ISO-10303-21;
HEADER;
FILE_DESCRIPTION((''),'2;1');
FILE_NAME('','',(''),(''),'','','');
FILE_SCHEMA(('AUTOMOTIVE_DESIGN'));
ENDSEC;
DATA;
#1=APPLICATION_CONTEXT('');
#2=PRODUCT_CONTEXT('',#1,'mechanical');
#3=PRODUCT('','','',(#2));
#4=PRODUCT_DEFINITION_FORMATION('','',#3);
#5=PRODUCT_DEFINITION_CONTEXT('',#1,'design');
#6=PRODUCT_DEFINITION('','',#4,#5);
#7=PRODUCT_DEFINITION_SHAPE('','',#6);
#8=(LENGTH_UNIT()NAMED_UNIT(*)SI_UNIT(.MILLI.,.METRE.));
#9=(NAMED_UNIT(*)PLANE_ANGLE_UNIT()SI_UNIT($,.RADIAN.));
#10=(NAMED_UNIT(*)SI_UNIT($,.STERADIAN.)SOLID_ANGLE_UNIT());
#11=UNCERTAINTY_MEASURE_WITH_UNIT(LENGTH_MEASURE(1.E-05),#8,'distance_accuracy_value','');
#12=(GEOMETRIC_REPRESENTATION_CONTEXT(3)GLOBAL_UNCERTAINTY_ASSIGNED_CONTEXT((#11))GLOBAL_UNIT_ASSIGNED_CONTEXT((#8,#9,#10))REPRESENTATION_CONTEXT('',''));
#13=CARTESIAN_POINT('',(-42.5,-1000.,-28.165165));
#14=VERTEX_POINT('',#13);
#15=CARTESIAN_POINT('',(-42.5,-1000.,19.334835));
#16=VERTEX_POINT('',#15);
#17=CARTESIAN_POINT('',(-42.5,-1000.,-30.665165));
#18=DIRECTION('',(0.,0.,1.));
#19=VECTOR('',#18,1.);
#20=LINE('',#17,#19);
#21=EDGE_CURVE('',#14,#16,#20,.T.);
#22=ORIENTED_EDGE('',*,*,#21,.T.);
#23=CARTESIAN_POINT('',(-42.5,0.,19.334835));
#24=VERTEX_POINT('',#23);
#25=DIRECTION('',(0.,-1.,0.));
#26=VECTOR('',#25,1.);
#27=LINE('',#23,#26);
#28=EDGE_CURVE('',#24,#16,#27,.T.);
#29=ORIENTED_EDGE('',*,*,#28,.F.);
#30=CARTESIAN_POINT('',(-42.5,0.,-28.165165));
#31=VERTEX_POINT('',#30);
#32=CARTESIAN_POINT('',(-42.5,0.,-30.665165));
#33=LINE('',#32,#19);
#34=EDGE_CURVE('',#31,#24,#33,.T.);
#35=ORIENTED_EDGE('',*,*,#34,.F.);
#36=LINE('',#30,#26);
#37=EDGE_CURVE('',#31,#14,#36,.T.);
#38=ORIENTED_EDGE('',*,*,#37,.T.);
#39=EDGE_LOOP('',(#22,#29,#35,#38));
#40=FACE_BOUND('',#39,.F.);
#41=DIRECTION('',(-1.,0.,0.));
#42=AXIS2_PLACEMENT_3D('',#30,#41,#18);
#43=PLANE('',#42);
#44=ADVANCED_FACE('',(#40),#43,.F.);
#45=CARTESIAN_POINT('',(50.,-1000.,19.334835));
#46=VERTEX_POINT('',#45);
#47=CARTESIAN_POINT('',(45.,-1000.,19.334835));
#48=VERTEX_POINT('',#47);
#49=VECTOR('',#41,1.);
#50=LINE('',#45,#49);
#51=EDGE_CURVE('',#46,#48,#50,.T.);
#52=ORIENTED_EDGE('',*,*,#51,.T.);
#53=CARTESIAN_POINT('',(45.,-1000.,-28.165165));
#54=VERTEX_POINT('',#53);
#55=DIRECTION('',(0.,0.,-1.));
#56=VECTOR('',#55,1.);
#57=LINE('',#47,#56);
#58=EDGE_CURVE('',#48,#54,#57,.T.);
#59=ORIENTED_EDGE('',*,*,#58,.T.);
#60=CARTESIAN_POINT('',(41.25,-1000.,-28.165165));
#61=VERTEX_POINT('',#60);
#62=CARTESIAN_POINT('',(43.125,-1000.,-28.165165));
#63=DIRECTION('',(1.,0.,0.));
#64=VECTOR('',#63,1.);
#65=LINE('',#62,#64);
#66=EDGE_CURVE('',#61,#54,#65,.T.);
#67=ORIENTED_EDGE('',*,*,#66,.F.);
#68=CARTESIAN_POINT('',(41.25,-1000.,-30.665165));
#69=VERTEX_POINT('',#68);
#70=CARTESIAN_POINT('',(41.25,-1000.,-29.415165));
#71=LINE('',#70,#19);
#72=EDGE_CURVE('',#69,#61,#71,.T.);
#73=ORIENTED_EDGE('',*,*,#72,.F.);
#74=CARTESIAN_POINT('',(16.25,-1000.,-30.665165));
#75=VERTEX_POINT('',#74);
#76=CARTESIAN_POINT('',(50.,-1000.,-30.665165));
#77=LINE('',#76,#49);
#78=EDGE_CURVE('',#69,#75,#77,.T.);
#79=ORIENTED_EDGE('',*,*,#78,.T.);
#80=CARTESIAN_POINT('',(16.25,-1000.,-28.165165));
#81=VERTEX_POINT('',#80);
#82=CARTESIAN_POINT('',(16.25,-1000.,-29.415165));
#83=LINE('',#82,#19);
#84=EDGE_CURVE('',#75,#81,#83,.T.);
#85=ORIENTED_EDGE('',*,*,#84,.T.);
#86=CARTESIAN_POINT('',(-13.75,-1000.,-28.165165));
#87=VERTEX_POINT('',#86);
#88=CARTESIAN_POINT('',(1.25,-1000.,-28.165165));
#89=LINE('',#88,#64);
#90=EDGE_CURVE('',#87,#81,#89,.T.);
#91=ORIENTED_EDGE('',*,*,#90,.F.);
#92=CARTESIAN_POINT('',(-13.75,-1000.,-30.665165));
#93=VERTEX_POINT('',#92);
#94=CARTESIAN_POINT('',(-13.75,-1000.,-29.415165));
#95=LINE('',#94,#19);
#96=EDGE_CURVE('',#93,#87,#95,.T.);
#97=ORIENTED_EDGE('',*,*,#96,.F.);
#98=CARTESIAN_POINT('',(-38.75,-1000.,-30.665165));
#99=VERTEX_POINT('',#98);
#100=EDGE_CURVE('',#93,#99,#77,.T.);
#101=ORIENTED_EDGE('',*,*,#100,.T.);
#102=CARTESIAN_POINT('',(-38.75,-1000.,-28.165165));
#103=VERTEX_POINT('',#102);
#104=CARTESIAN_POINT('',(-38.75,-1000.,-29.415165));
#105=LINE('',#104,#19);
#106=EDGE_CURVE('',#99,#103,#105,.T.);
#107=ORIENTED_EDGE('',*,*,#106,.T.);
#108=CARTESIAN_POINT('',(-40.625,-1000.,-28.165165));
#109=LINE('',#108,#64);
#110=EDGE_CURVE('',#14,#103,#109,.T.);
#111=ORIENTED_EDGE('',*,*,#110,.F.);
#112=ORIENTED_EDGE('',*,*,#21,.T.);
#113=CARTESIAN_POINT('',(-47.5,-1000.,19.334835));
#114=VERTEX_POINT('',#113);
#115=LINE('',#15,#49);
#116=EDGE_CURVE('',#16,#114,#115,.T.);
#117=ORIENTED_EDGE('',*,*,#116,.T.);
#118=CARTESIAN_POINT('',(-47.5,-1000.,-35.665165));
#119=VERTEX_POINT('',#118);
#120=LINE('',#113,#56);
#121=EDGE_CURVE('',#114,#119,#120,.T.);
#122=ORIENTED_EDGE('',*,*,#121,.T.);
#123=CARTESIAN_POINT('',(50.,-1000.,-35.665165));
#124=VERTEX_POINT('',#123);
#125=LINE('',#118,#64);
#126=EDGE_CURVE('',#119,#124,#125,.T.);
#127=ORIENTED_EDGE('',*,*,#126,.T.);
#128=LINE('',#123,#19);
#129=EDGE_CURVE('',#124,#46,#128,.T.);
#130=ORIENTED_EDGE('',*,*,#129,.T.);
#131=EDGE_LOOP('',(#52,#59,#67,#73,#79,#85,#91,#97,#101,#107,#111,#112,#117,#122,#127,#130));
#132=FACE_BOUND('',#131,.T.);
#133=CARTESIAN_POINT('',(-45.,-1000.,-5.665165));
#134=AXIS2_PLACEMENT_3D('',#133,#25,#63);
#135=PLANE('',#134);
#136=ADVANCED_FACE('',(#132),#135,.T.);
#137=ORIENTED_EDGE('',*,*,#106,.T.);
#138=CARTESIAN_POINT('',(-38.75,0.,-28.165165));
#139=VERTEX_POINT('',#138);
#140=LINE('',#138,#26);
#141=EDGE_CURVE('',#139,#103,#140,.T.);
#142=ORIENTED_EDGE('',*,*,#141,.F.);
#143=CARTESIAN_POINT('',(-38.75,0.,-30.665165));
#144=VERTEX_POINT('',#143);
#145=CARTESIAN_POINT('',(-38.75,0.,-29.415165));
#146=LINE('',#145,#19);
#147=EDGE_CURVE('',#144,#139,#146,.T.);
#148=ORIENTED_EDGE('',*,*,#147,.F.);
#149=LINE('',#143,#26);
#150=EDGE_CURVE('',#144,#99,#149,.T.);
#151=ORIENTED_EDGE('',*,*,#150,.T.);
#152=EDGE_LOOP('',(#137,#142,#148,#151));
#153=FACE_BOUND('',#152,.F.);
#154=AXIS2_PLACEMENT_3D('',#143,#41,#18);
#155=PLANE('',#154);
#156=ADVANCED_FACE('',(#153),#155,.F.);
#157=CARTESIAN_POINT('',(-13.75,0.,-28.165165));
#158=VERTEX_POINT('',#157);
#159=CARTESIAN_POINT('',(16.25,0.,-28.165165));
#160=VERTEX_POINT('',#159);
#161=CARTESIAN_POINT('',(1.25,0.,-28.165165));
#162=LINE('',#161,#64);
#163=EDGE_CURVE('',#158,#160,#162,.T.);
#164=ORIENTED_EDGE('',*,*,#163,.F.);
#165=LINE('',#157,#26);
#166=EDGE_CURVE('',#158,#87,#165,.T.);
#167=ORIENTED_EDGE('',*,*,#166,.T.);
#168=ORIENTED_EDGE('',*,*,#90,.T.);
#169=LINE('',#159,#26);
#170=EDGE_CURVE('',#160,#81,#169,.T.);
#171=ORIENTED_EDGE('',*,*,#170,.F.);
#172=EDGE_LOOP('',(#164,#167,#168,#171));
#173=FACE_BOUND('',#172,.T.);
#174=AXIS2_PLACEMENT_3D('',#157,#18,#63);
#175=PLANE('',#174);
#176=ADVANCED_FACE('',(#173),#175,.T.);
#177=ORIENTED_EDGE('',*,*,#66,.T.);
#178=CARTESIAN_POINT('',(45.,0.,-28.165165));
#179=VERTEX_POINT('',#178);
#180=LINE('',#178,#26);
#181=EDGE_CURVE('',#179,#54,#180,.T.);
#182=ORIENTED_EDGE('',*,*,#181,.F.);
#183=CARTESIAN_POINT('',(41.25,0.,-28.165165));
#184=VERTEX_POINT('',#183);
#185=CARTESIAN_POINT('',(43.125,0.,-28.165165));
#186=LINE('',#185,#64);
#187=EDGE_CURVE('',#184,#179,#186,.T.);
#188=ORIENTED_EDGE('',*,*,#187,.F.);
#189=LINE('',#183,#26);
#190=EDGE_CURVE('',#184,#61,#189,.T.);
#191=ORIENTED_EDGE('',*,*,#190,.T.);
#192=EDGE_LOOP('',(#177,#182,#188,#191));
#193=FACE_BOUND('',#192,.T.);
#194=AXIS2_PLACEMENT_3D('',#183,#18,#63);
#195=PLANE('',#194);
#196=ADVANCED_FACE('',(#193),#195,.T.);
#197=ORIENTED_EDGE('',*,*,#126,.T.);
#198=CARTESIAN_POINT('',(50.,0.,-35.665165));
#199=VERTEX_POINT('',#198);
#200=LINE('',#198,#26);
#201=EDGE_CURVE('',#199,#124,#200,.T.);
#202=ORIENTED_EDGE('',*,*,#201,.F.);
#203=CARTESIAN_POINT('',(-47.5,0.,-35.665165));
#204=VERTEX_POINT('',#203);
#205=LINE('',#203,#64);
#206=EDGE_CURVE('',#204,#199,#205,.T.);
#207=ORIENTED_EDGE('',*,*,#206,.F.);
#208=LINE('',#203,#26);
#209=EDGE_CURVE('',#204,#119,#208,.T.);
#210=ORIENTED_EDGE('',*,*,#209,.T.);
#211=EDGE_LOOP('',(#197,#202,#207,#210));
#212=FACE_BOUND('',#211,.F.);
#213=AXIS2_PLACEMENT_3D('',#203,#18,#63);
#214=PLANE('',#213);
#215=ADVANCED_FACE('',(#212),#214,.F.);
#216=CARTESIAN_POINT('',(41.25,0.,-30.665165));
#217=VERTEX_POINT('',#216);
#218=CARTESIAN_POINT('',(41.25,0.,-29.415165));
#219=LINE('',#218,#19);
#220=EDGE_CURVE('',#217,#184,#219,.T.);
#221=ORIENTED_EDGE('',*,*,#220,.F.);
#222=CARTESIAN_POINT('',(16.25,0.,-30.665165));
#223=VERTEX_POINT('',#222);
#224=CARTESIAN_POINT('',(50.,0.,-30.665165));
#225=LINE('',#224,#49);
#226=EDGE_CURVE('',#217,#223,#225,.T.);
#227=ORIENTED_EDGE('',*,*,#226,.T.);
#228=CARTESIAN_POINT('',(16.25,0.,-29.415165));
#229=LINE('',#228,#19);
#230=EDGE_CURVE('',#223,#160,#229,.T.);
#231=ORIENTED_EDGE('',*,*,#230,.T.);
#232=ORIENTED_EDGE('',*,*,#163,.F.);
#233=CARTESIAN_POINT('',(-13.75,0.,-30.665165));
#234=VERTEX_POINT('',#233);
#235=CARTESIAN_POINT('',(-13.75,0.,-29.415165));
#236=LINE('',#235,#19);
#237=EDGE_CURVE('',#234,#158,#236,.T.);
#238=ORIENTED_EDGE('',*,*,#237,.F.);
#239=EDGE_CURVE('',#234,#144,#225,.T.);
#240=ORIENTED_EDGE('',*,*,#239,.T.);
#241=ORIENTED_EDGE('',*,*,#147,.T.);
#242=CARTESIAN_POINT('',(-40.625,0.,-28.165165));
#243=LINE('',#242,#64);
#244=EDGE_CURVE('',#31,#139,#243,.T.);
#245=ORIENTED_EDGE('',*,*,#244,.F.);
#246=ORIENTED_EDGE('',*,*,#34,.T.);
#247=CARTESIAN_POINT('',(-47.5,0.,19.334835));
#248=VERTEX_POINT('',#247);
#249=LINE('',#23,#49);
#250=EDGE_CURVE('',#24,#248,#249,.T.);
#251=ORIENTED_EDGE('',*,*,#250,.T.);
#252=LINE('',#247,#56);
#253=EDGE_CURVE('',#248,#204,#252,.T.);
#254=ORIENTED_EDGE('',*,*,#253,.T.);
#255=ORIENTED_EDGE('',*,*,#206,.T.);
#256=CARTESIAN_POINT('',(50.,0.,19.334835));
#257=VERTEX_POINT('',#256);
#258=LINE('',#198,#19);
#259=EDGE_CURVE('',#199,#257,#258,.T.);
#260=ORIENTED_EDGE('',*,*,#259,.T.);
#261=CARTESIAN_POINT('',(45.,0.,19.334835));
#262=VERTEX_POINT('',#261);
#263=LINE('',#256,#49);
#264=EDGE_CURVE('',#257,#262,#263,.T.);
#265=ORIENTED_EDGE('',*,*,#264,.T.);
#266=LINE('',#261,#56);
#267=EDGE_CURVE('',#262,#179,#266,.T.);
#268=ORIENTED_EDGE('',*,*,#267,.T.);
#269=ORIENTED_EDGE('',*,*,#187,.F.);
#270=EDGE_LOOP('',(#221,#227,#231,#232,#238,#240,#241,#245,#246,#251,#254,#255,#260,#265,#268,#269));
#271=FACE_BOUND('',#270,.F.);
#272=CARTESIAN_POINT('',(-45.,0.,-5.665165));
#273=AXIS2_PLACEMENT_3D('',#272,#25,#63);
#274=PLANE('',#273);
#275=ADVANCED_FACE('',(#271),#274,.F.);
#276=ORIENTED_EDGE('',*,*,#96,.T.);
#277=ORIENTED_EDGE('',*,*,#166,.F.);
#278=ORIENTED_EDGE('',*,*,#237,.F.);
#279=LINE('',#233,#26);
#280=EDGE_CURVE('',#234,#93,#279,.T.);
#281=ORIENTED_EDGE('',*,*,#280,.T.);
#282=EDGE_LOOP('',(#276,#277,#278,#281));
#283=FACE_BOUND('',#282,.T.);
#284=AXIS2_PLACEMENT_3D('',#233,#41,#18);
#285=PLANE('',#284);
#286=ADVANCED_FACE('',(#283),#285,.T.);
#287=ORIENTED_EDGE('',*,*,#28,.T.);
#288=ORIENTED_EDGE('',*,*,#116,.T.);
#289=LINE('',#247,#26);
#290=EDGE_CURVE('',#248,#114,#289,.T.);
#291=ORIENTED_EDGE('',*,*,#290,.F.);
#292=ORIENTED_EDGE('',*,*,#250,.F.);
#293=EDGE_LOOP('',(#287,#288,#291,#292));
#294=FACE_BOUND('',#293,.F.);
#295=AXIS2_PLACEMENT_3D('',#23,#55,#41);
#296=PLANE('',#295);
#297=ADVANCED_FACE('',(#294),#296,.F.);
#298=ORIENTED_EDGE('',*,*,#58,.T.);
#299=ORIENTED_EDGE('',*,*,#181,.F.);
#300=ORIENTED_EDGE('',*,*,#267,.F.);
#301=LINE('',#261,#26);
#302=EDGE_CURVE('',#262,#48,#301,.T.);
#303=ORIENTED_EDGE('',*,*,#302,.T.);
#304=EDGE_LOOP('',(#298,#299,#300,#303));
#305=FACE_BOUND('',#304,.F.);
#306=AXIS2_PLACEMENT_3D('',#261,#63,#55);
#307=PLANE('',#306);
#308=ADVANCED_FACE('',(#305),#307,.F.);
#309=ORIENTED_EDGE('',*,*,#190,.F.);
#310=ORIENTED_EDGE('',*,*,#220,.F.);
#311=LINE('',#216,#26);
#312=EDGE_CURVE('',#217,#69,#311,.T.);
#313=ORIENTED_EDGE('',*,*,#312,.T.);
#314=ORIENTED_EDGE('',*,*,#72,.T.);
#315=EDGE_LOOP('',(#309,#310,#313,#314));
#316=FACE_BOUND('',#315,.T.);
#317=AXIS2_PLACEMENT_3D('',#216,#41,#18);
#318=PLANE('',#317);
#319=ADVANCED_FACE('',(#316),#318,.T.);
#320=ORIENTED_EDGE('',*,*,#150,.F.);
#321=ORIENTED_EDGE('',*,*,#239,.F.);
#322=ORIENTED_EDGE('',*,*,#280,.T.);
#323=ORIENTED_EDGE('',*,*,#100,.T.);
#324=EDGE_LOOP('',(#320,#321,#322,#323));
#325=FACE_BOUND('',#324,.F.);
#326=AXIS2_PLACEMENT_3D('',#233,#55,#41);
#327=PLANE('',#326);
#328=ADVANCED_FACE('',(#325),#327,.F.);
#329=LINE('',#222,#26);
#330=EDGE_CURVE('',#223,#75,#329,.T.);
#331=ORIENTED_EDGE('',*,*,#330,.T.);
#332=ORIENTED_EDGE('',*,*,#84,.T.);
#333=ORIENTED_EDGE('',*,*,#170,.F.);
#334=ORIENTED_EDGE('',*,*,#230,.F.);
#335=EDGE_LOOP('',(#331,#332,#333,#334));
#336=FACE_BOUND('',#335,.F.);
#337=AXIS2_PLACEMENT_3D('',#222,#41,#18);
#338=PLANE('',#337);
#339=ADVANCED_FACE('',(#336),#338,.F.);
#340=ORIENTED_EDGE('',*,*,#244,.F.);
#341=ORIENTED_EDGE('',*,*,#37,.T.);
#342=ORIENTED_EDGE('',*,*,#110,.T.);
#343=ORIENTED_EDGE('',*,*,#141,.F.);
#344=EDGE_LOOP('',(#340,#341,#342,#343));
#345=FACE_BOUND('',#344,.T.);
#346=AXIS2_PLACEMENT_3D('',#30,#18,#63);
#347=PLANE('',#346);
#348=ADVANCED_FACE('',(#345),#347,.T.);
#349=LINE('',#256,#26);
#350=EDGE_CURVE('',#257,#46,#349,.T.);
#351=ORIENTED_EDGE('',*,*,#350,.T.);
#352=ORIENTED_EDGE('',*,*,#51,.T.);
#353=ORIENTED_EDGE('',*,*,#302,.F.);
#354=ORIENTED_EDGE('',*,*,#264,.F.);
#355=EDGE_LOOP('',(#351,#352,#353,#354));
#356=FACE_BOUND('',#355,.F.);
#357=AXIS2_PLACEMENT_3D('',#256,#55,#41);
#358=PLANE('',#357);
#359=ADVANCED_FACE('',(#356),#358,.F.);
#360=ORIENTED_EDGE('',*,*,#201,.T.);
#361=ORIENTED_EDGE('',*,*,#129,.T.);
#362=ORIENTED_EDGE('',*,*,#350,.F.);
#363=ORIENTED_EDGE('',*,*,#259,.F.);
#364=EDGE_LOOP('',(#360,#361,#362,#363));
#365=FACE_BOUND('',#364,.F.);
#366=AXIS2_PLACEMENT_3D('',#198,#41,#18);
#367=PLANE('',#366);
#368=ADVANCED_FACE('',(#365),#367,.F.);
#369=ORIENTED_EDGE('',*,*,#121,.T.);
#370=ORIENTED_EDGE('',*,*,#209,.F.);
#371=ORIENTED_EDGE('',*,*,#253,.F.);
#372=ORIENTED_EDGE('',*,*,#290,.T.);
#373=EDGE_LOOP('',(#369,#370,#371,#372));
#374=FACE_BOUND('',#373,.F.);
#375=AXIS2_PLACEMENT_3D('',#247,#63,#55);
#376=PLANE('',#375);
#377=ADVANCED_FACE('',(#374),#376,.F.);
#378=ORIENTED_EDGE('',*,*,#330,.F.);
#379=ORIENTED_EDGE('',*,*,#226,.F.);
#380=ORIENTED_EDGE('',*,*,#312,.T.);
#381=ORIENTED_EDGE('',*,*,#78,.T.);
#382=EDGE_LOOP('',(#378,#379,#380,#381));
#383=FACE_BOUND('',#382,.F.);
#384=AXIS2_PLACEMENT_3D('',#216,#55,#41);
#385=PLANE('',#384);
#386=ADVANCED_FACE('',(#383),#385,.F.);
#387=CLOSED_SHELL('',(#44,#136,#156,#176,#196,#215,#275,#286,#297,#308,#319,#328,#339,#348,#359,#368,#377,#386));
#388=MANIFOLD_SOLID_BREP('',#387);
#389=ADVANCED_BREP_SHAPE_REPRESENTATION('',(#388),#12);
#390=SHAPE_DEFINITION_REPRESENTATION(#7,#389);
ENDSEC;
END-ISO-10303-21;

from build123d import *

# Parameters (mm, degrees)
F0_W     = 3.75
F0_H     = 2.5
F0_W_2   = 30
F1_DEPTH = 1000


with BuildPart() as f1:
    # F0 (on Front) → F1 (new body)
    with BuildSketch(Plane.XZ):
        Polygon((-47.5, 19.334835), (-47.5, -30.665165), (-42.5, -30.665165), (-42.5, -28.165165), (-42.5, -15.665165), (-42.5, 19.334835), align=None)
        Polygon((50, -35.665165), (50, -30.665165), (45, -30.665165), (41.25, -30.665165), (16.25, -30.665165), (-13.75, -30.665165), (-38.75, -30.665165), (-42.5, -30.665165), (-47.5, -30.665165), (-47.5, -35.665165), align=None)
        Polygon((50, 19.334835), (45, 19.334835), (45, -15.665165), (45, -28.165165), (45, -30.665165), (50, -30.665165), align=None)
        with Locations((43.125, -29.415165)):
            Rectangle(F0_W, F0_H)
        with Locations((1.25, -29.415165)):
            Rectangle(F0_W_2, F0_H)
        with Locations((-40.625, -29.415165)):
            Rectangle(F0_W, F0_H)
    extrude(amount=F1_DEPTH)


solid = f1.part
